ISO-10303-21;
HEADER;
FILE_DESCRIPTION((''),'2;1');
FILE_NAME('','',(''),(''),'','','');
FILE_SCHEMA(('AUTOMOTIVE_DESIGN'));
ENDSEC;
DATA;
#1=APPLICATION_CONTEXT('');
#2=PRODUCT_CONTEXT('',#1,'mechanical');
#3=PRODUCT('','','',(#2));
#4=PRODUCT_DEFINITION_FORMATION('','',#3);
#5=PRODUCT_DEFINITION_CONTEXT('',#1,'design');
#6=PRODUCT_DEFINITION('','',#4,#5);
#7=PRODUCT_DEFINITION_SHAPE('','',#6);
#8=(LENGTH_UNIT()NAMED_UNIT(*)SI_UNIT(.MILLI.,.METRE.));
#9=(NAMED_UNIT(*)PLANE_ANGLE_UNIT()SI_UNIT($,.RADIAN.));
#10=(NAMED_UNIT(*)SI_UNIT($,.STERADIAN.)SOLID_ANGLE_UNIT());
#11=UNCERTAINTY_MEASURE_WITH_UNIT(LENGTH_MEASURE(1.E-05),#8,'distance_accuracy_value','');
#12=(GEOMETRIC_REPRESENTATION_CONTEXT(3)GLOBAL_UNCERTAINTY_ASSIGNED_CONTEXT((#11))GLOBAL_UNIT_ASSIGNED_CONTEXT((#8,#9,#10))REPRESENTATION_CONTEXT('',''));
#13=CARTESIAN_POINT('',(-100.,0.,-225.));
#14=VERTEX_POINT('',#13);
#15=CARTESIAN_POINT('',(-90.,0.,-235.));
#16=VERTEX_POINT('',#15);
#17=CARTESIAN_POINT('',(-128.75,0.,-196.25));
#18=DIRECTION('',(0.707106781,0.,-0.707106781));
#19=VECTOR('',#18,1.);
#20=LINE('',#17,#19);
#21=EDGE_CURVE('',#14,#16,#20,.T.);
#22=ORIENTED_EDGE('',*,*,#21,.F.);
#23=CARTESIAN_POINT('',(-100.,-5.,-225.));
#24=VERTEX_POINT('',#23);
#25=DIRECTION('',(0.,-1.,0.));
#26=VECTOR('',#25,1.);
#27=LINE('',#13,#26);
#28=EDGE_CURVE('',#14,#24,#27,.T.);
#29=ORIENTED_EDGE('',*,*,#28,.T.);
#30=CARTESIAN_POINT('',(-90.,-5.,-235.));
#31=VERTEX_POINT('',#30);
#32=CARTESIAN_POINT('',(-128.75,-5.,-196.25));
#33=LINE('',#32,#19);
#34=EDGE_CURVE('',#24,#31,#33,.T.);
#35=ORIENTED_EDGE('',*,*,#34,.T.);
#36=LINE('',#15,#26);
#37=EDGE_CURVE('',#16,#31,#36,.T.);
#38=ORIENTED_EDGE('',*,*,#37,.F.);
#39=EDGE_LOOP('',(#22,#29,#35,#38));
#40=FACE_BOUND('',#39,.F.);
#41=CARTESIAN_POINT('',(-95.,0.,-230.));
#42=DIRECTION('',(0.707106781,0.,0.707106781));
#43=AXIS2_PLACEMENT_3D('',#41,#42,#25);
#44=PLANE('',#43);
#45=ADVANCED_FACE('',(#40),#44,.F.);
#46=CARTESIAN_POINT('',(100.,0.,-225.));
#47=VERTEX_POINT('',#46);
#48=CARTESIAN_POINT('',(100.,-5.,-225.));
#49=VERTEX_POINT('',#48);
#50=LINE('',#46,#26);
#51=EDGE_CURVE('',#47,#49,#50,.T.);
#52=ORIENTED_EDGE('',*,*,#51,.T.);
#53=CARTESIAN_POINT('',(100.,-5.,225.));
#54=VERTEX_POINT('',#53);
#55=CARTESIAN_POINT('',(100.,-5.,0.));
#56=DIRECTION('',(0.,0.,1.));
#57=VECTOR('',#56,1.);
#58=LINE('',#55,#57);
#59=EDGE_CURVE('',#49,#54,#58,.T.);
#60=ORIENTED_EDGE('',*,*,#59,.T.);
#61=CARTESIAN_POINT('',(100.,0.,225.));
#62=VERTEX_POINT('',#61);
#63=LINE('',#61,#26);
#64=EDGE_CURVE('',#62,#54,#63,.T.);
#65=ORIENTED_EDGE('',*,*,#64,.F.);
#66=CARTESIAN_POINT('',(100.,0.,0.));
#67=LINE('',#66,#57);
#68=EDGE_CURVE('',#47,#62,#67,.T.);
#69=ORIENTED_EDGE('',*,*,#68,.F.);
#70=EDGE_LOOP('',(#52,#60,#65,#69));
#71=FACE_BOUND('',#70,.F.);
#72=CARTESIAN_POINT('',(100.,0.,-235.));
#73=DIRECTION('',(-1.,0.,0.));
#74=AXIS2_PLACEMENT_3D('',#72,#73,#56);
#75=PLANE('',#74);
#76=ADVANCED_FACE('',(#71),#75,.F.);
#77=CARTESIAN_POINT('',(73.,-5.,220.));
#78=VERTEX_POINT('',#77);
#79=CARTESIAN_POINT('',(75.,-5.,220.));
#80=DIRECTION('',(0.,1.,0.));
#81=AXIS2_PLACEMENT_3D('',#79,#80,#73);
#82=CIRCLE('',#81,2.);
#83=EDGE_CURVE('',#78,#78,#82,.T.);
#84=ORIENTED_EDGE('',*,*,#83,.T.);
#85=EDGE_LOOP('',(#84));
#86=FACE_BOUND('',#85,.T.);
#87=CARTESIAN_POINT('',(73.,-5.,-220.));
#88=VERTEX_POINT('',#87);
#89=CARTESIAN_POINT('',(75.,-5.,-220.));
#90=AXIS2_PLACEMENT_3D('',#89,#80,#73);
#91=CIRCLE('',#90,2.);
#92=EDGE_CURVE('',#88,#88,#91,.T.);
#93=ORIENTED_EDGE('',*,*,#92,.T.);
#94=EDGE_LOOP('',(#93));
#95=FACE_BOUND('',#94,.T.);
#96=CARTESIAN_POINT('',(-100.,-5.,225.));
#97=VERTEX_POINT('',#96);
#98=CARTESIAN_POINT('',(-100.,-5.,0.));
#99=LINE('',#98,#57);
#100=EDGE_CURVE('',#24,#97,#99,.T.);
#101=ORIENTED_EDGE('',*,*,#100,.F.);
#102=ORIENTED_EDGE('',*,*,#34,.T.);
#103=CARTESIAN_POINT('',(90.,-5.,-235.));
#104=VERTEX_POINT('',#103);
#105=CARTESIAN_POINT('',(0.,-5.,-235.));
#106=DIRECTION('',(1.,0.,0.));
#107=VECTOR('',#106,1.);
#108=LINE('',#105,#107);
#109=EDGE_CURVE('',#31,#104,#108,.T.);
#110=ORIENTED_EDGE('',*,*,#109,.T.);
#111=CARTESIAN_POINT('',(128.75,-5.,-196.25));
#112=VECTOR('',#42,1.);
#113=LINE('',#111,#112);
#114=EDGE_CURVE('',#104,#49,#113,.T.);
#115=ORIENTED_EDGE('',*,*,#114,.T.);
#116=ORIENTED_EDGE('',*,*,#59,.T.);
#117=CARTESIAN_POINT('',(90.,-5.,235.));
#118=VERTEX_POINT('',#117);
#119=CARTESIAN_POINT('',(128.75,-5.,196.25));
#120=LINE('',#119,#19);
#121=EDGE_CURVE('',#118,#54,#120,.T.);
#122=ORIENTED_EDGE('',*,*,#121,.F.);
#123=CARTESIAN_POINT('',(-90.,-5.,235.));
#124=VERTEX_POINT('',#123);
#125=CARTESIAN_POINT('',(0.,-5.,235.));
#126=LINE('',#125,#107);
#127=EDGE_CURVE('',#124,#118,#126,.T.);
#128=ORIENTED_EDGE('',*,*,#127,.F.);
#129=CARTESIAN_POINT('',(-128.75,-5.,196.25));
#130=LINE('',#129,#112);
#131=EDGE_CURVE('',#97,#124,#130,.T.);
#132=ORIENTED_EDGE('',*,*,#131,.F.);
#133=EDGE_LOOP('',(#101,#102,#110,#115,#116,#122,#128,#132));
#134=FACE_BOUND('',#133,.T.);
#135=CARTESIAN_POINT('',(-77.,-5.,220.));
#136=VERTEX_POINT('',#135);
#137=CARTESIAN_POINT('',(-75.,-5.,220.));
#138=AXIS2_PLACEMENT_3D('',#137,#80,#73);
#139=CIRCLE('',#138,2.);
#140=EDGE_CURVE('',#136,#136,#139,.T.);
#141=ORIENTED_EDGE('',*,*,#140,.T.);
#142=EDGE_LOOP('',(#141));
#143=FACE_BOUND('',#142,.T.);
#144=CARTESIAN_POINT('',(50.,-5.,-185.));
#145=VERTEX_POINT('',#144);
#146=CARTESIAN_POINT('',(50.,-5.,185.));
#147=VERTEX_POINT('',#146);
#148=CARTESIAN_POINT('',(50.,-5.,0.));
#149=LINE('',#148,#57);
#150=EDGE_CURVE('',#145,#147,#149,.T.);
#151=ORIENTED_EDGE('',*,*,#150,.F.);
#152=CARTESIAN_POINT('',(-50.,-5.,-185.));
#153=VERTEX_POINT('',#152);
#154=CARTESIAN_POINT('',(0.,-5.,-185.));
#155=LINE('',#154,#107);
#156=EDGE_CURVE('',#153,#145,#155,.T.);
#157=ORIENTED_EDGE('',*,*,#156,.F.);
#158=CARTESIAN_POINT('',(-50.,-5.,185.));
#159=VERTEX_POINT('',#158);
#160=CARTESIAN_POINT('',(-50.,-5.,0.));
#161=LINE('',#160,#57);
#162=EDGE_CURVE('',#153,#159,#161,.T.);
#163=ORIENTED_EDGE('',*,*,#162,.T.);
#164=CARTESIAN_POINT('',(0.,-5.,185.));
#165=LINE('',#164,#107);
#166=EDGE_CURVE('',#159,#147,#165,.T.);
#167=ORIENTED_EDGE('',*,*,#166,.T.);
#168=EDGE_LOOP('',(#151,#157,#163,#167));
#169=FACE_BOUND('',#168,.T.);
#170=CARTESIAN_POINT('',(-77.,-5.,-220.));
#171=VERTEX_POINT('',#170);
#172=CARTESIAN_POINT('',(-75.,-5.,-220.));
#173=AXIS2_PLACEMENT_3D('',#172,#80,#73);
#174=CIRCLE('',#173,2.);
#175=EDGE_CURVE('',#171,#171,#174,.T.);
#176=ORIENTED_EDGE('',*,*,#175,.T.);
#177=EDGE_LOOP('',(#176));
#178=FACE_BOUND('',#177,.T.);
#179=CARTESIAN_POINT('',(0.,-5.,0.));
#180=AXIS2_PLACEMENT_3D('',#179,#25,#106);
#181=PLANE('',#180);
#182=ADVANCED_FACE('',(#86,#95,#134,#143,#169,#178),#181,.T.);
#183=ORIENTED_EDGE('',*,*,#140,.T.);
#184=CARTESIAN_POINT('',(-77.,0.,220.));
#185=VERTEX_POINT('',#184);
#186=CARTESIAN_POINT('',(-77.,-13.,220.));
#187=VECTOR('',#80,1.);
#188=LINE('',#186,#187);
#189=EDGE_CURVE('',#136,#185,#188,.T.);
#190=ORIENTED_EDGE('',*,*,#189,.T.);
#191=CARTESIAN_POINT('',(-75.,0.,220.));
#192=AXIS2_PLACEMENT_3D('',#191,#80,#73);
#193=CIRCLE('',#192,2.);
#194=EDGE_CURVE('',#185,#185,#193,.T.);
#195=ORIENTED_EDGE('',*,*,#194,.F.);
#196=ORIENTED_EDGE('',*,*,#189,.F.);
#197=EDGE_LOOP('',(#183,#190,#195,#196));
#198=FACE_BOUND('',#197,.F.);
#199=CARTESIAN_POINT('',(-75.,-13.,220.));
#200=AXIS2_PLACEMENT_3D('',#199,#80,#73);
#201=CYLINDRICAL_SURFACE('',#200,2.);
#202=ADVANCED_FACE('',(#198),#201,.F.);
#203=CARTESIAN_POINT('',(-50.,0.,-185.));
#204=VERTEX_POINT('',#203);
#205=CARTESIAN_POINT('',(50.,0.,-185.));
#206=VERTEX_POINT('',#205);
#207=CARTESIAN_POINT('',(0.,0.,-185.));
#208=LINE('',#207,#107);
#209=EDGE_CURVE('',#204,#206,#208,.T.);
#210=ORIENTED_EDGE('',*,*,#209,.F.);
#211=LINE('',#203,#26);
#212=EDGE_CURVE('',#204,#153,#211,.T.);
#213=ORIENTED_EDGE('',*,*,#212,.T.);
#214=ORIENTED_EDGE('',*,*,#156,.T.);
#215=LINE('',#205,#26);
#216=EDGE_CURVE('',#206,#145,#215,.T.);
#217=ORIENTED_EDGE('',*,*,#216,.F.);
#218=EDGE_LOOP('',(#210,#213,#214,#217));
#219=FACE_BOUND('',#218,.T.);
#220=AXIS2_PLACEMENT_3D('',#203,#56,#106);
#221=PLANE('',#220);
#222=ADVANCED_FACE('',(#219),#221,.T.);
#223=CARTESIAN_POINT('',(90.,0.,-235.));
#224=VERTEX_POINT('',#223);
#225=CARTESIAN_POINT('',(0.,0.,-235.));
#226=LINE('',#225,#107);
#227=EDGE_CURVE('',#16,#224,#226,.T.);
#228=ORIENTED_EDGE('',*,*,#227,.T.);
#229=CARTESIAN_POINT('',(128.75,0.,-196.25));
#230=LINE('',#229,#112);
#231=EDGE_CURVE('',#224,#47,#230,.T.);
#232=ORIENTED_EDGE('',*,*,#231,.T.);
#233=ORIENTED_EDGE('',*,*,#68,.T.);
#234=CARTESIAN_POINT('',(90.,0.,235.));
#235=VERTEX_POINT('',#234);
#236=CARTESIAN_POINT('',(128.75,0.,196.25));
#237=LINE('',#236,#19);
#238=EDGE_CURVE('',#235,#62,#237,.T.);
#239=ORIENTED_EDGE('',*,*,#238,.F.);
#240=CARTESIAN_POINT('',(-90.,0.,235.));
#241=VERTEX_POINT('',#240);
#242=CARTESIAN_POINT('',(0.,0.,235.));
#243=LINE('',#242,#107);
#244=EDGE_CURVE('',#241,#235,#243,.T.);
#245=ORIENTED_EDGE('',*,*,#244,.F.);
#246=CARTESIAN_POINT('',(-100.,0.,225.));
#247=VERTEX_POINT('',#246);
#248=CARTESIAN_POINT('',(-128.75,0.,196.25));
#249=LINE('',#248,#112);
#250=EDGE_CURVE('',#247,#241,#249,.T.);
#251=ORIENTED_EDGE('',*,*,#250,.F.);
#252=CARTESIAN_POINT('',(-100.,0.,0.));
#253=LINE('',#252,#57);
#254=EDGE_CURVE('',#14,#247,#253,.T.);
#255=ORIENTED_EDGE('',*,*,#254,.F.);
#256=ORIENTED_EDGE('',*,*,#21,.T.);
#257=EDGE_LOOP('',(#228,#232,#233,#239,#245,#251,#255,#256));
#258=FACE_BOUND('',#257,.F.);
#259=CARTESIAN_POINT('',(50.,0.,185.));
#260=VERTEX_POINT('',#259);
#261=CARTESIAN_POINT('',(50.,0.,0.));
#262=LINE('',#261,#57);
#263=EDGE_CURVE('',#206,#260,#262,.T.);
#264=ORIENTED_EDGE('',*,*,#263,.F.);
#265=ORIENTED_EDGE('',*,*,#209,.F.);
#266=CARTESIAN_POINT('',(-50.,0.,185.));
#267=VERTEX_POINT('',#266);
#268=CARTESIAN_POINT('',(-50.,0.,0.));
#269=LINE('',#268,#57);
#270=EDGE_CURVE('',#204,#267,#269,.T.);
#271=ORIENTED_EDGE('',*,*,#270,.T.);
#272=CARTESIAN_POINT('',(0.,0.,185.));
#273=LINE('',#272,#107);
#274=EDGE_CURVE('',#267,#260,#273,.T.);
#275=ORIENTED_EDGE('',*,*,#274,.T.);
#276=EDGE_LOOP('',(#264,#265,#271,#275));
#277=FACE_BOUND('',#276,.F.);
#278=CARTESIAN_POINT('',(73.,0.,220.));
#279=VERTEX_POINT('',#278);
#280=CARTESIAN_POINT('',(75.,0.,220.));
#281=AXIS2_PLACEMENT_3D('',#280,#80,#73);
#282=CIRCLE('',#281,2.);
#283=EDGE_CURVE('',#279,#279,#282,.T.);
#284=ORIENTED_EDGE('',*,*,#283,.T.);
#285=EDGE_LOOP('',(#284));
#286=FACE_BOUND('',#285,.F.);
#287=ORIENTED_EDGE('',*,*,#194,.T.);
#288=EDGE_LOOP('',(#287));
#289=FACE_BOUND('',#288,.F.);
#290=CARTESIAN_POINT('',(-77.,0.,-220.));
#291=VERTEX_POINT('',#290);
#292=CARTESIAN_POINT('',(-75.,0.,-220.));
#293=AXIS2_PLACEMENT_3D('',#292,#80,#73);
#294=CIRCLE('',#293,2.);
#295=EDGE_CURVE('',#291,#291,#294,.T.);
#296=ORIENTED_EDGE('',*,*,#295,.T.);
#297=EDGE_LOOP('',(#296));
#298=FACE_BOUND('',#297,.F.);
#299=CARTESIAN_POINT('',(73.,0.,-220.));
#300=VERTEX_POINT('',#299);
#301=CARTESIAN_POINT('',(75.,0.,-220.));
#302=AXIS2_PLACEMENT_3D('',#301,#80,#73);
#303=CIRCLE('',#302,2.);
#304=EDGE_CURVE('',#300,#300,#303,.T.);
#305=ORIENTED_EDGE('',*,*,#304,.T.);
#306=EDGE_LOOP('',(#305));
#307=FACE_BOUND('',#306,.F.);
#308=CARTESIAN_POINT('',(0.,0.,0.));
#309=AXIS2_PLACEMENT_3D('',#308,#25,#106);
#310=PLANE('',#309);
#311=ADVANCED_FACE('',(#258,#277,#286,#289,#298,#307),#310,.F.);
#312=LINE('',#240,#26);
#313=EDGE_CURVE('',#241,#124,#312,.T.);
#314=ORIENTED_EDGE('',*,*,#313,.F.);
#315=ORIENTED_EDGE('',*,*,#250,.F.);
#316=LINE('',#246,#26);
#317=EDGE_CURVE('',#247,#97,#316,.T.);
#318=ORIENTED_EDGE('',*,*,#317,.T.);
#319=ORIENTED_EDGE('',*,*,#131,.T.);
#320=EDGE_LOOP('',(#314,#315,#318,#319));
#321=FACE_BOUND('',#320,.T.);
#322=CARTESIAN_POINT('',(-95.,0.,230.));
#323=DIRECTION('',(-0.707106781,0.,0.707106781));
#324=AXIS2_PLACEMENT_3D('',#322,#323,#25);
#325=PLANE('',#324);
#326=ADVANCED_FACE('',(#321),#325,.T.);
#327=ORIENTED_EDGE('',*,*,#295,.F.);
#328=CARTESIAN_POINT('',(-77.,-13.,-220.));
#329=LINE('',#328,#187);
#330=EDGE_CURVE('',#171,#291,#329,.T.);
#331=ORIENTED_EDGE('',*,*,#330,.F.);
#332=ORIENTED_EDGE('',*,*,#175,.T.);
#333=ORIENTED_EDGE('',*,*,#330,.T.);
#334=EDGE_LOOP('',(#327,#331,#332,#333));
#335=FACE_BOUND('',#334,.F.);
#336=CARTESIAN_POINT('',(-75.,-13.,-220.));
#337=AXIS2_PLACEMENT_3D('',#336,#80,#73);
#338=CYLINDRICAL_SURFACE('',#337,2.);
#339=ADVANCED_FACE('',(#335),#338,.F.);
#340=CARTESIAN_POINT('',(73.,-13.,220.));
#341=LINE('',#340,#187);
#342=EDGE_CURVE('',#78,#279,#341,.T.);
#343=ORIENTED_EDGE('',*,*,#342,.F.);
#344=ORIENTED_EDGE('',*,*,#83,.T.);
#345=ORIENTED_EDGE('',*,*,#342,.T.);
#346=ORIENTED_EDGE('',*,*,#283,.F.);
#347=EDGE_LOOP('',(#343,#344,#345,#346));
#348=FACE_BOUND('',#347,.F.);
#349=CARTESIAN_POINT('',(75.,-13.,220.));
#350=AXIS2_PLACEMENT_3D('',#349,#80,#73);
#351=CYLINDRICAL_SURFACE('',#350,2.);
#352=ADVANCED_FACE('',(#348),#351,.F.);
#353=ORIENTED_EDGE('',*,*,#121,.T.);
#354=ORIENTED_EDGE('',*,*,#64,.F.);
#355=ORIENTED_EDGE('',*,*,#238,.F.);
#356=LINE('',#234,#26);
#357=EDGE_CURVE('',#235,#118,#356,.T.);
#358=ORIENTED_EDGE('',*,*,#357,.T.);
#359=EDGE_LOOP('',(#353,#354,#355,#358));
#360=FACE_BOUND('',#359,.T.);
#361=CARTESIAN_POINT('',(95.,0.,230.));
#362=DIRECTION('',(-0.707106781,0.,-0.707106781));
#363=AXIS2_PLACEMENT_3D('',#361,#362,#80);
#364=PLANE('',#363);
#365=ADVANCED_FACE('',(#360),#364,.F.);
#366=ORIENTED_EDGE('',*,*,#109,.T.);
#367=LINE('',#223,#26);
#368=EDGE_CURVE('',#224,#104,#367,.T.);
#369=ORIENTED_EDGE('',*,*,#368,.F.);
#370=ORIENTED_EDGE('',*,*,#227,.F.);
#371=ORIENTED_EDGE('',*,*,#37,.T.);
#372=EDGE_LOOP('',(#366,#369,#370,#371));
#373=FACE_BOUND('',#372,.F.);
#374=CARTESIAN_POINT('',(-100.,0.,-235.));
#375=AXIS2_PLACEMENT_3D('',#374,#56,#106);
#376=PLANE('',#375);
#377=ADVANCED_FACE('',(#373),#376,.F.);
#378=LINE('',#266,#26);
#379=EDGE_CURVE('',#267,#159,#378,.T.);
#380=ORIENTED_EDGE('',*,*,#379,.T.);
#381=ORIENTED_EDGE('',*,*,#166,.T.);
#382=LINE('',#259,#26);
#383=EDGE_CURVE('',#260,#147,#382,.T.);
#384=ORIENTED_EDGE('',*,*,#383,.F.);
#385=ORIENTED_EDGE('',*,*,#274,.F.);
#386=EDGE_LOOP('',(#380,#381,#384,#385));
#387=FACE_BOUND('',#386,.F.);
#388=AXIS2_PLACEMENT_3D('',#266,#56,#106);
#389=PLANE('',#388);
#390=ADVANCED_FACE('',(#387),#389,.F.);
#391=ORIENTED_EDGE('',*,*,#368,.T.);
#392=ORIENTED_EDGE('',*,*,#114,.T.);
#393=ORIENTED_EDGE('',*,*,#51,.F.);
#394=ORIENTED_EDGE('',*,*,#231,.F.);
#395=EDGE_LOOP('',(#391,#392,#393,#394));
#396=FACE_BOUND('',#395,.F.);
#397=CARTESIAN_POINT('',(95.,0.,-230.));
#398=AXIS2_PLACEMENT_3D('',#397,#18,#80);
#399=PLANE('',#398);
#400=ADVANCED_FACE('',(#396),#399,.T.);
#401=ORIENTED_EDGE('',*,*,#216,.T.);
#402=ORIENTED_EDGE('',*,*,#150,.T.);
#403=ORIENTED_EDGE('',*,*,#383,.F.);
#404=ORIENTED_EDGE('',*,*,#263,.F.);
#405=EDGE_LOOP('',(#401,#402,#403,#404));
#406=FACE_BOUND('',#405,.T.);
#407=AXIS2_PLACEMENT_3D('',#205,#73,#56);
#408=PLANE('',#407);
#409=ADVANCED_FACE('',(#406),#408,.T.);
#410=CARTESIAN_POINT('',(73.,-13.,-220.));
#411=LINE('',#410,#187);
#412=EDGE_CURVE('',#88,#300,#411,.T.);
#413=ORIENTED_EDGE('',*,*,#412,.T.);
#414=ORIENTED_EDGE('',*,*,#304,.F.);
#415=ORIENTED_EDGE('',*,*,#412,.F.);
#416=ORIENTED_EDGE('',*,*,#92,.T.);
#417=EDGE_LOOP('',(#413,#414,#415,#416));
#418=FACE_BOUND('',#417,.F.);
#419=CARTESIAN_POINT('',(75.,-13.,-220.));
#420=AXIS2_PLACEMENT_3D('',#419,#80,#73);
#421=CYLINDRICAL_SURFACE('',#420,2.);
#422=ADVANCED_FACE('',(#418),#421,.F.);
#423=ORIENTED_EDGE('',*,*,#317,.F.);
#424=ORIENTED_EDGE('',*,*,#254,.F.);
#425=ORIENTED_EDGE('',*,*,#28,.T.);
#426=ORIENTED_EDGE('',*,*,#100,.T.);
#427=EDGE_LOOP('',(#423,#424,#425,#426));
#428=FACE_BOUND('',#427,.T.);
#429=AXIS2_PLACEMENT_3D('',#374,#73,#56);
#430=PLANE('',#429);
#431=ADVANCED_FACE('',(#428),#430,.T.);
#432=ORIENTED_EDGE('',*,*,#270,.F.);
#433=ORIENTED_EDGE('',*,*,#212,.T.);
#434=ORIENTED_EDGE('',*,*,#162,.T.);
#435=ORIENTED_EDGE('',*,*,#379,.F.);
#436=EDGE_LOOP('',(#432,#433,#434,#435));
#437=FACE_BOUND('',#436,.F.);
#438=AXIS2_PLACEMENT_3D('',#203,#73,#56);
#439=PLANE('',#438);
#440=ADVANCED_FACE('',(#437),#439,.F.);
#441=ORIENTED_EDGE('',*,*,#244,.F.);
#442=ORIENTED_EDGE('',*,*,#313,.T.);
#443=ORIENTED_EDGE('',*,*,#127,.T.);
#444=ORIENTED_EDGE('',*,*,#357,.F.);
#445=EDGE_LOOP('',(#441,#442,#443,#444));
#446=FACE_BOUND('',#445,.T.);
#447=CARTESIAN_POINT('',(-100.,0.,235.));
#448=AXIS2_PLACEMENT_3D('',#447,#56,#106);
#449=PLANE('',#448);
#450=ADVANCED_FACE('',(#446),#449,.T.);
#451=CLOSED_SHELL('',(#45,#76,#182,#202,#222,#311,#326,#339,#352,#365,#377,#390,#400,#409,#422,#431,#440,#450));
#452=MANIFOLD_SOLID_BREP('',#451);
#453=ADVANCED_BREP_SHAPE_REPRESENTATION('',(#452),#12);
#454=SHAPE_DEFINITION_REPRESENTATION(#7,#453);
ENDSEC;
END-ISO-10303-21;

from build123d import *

# Parameters (mm, degrees)
F0_W     = 200
F0_H     = 470
F0_W_2   = 100
F0_H_2   = 370
F1_DEPTH = 5
F2_SIZE  = 10
F4_D     = 4
F4_DEPTH = 8


with BuildPart() as f1:
    # F0 (on Front) → F1 (new body)
    with BuildSketch(Plane.XZ):
        Rectangle(F0_W, F0_H)
        Rectangle(F0_W_2, F0_H_2, mode=Mode.SUBTRACT)
    extrude(amount=F1_DEPTH)

    # F2
    f2_edges = [f1.edges().sort_by_distance(p)[0] for p in [
        (-100, -2.5, 235),
        (100, -2.5, 235),
        (100, -2.5, -235),
        (-100, -2.5, -235),
    ]]
    chamfer(f2_edges, length=F2_SIZE)

    # F4
    with Locations(Plane.XZ.offset(5)):
        with Locations((-75, 220), (75, 220), (-75, -220), (75, -220)):
            Hole(F4_D / 2, depth=F4_DEPTH)


solid = f1.part
